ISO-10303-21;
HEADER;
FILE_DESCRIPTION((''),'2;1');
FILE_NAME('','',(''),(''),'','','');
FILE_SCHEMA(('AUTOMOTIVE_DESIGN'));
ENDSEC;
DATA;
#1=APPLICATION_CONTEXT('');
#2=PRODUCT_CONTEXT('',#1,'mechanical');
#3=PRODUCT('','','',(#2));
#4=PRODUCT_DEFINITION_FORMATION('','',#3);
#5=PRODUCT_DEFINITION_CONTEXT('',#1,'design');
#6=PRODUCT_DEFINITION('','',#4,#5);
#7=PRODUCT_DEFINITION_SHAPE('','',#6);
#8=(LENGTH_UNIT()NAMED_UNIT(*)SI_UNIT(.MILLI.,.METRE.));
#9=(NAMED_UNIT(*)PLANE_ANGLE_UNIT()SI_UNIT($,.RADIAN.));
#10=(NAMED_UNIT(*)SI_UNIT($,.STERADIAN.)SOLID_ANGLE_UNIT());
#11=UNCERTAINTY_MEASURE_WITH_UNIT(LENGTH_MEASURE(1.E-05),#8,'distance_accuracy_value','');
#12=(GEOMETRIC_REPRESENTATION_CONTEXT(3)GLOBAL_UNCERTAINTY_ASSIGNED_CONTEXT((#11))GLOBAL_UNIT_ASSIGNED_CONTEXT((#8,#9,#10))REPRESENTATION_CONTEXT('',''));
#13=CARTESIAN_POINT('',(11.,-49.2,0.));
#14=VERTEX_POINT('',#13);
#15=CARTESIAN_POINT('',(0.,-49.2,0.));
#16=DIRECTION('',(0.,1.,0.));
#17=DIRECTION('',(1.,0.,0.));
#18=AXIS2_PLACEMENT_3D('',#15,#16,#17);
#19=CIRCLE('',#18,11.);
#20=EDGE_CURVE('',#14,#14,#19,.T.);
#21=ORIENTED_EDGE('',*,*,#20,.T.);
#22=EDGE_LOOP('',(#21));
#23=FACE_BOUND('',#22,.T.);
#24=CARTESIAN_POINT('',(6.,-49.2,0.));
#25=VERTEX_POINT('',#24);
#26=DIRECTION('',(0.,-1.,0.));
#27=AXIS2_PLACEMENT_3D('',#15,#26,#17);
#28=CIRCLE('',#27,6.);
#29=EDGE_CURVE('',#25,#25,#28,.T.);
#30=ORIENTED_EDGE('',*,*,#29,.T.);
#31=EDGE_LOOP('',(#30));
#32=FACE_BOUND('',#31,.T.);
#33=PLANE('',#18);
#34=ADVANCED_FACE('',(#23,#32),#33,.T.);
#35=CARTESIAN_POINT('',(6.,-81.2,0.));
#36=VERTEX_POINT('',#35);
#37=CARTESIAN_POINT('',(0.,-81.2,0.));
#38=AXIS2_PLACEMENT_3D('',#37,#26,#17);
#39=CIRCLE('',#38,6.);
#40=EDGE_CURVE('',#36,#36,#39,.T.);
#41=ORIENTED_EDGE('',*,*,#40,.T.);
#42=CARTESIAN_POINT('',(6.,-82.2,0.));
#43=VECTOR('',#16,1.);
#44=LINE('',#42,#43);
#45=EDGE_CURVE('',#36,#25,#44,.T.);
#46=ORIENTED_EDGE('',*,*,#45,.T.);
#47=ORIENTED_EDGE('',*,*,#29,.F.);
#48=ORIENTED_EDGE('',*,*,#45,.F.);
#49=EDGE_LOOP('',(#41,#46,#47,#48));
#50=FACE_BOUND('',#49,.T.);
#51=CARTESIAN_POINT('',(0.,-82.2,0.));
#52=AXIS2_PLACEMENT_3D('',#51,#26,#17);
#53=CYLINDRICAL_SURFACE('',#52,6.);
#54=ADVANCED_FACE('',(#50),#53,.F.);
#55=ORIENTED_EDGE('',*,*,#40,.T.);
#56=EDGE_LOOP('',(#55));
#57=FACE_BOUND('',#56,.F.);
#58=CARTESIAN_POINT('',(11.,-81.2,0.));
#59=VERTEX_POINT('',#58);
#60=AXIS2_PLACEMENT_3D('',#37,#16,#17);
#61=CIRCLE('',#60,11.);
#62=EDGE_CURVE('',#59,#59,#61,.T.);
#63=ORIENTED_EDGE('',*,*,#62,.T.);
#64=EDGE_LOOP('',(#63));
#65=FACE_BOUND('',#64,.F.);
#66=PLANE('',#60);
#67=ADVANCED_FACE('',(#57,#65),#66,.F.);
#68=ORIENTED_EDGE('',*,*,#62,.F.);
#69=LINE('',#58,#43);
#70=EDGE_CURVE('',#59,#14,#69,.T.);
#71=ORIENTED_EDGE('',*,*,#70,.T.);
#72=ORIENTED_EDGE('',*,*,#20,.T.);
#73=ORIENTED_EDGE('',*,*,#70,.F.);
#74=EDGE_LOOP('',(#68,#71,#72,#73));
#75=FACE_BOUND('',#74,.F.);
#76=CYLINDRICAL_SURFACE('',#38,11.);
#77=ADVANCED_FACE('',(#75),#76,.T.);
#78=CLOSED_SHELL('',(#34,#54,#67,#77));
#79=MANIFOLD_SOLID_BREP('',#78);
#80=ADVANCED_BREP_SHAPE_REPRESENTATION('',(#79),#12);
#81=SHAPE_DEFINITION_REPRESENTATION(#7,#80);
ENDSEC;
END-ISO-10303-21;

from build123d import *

# Parameters (mm, degrees)
LM12UU_0_INT_R          = 6
LM12UU_0_INT_DEPTH      = 34
LM12UU_0_INT_ROLL_ANGLE = -90
LM12UU_0_EXT_R          = 11
LM12UU_0_EXT_DEPTH      = 32
LM12UU_0_EXT_ROLL_ANGLE = -90


with BuildPart() as lm12uu_0_int:
    # lm12uu_0_int → lm12uu_0_int (new body)
    with BuildSketch(Plane.XY):
        Circle(LM12UU_0_INT_R)
    extrude(amount=LM12UU_0_INT_DEPTH)


with BuildPart() as lm12uu_0_int_1:
    # lm12uu_0_int roll: moved
    add(lm12uu_0_int.part.rotate(Axis((0, 0, 0), (1, 0, 0)), LM12UU_0_INT_ROLL_ANGLE))


with BuildPart() as lm12uu_0_int_2:
    # lm12uu_0_int placement: moved
    add(lm12uu_0_int_1.part.moved(Location((0, -82.2, 0))))


with BuildPart() as lm12uu_0_body:
    # lm12uu_0_ext → lm12uu_0_ext (new body)
    with BuildSketch(Plane.XY):
        Circle(LM12UU_0_EXT_R)
    extrude(amount=LM12UU_0_EXT_DEPTH)


with BuildPart() as lm12uu_0_body_1:
    # lm12uu_0_ext roll: moved
    add(lm12uu_0_body.part.rotate(Axis((0, 0, 0), (1, 0, 0)), LM12UU_0_EXT_ROLL_ANGLE))


with BuildPart() as lm12uu_0_body_2:
    # lm12uu_0_ext placement: moved
    add(lm12uu_0_body_1.part.moved(Location((0, -81.2, 0))))

    # lm12uu_0: cut lm12uu_0_int
    add(lm12uu_0_int_2.part, mode=Mode.SUBTRACT)


solid = lm12uu_0_body_2.part
